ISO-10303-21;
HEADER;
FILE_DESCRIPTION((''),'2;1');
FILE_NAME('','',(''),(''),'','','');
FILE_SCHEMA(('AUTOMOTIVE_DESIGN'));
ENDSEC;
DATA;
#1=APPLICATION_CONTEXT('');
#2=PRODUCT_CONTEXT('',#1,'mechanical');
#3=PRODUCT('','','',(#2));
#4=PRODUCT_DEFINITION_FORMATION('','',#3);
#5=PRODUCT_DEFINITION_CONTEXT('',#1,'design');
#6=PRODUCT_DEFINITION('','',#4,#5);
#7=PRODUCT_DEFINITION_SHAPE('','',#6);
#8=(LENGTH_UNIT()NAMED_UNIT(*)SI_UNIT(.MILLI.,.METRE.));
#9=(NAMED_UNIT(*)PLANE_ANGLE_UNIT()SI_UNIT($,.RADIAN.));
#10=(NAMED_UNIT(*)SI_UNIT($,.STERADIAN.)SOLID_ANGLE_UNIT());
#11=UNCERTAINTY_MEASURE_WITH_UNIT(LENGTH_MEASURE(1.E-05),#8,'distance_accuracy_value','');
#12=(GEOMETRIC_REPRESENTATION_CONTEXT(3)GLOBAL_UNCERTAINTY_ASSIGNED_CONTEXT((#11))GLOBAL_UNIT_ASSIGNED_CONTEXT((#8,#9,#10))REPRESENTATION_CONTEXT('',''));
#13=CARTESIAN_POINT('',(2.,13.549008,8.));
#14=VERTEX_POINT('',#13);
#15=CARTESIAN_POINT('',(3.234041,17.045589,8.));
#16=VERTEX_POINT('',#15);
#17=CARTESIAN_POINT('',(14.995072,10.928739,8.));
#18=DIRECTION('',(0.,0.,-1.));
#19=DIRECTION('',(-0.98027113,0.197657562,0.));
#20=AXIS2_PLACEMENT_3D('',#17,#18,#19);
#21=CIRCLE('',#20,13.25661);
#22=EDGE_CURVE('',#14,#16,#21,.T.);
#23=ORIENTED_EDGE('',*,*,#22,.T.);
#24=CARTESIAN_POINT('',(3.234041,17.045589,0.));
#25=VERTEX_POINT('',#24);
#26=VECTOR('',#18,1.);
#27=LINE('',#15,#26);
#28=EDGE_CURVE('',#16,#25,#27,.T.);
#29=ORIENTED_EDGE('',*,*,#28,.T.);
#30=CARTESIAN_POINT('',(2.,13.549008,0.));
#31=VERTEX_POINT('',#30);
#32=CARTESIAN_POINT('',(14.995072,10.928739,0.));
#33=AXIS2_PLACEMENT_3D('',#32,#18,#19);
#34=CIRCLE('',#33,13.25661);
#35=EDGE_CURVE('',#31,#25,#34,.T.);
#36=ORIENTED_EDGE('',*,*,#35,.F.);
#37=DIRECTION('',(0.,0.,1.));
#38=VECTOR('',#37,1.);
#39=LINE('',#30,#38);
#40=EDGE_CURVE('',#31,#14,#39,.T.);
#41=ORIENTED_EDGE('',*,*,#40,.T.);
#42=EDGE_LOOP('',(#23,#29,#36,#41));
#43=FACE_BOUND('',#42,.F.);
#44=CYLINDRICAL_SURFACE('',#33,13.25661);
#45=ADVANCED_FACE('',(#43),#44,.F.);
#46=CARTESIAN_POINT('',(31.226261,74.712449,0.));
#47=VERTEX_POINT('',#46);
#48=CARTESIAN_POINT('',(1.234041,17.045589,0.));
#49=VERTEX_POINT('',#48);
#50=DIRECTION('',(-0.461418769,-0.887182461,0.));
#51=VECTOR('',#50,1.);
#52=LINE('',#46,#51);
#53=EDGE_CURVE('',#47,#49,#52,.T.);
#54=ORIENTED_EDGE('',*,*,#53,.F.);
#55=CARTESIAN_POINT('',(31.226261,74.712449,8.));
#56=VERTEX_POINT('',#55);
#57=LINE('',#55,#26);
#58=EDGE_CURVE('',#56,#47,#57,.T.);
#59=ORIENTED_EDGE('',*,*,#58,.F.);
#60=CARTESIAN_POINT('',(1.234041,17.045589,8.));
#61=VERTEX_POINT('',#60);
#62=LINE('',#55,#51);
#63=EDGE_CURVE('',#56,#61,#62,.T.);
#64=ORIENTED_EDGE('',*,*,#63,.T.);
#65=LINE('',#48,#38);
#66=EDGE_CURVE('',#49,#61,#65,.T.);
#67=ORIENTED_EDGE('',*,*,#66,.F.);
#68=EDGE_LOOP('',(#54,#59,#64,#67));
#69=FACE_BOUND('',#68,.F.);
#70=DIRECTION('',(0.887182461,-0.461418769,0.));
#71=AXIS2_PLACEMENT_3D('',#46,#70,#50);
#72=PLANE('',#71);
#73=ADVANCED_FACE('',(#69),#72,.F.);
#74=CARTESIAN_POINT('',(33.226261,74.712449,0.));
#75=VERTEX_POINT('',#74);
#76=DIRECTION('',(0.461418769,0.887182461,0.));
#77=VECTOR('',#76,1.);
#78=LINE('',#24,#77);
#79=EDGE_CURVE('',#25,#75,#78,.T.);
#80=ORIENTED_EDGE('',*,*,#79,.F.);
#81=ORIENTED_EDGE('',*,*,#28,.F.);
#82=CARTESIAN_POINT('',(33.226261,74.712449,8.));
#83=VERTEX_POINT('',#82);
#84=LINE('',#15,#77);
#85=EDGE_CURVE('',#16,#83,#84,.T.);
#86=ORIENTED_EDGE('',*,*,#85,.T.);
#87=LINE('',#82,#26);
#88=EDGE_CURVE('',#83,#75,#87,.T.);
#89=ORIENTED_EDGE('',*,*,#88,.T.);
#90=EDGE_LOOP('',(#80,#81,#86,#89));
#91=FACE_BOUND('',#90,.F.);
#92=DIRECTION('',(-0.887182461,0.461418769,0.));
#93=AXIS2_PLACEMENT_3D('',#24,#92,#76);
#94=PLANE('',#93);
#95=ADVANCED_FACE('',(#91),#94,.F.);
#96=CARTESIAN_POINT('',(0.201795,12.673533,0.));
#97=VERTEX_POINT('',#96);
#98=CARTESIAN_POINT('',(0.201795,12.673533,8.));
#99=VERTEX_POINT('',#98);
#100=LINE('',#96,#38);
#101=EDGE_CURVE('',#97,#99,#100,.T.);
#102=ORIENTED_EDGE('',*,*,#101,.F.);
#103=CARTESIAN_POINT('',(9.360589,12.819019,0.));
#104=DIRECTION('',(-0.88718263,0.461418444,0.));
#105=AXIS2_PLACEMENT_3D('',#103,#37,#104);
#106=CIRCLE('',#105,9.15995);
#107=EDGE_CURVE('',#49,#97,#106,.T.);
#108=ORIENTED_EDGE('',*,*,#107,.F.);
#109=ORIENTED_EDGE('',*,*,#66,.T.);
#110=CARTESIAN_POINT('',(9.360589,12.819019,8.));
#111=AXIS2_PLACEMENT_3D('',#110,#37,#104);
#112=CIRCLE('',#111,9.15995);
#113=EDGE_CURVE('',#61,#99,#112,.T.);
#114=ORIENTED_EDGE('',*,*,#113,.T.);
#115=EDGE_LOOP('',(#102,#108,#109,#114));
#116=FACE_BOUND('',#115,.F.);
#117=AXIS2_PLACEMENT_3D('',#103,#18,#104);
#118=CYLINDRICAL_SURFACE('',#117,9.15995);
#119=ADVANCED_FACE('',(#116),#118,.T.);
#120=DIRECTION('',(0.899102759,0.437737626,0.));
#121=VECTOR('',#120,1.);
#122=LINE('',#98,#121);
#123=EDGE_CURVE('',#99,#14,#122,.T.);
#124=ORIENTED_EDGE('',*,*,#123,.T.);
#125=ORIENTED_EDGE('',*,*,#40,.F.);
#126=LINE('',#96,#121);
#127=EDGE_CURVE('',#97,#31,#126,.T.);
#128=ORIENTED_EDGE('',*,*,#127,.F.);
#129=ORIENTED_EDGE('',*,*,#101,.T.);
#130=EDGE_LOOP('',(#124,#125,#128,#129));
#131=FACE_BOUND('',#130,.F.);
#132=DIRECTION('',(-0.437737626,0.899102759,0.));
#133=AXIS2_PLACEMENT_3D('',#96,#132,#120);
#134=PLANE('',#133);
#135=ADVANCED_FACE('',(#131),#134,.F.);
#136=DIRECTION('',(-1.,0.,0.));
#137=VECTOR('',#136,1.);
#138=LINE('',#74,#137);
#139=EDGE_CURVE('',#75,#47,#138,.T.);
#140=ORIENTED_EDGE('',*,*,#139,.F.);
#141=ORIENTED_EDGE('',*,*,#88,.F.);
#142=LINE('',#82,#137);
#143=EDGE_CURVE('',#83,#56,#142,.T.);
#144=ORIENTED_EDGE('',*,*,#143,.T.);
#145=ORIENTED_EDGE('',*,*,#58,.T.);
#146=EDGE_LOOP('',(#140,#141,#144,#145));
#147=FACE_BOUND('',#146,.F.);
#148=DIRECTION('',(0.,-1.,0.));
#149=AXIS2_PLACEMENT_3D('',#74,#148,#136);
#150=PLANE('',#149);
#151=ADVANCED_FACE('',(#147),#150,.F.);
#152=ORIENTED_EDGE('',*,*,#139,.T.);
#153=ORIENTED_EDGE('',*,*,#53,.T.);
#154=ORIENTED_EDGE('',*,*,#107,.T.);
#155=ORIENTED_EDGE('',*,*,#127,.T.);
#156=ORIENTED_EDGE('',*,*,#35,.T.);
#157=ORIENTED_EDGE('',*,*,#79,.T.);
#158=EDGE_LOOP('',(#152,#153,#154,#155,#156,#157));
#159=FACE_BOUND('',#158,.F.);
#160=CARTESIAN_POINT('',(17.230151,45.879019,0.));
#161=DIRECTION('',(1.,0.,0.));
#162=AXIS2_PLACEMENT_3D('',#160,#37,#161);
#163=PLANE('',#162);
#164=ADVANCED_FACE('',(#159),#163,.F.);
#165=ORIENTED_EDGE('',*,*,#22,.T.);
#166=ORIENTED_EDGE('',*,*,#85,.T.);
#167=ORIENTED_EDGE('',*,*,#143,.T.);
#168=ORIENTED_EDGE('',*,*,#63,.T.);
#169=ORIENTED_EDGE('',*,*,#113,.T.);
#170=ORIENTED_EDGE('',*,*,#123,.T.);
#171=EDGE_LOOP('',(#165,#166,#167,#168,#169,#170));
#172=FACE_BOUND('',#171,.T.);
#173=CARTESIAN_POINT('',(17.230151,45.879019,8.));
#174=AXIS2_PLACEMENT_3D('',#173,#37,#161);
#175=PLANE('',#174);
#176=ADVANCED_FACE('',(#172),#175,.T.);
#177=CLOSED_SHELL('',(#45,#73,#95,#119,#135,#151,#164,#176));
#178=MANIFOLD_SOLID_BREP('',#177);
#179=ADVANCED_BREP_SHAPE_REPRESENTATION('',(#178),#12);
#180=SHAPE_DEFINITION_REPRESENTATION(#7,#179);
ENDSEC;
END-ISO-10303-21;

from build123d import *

# Parameters (mm, degrees)
F1_DEPTH = 6
F2_DEPTH = 8


with BuildPart() as f1:
    # F0 (on Top) → F1 (new body)
    with BuildSketch(Plane.XY):
        Polygon((31.226261, 74.712449), (1.234041, 17.045589), (3.234041, 17.045589), (33.226261, 74.712449), align=None)
        with BuildLine():
            Line((3.234041, 17.045589), (1.234041, 17.045589))
            ThreePointArc((1.234041, 17.045589), (0.445743, 14.923822), (0.201795, 12.673533))
            Line((0.201795, 12.673533), (2, 13.549008))
            ThreePointArc((2, 13.549008), (2.494165, 15.340658), (3.234041, 17.045589))
        make_face()
    extrude(amount=F1_DEPTH)

    # F0 (on Top) → F2 (join)
    with BuildSketch(Plane.XY):
        Polygon((31.226261, 74.712449), (1.234041, 17.045589), (3.234041, 17.045589), (33.226261, 74.712449), align=None)
        with BuildLine():
            Line((3.234041, 17.045589), (1.234041, 17.045589))
            ThreePointArc((1.234041, 17.045589), (0.445743, 14.923822), (0.201795, 12.673533))
            Line((0.201795, 12.673533), (2, 13.549008))
            ThreePointArc((2, 13.549008), (2.494165, 15.340658), (3.234041, 17.045589))
        make_face()
    extrude(amount=F2_DEPTH)


solid = f1.part
